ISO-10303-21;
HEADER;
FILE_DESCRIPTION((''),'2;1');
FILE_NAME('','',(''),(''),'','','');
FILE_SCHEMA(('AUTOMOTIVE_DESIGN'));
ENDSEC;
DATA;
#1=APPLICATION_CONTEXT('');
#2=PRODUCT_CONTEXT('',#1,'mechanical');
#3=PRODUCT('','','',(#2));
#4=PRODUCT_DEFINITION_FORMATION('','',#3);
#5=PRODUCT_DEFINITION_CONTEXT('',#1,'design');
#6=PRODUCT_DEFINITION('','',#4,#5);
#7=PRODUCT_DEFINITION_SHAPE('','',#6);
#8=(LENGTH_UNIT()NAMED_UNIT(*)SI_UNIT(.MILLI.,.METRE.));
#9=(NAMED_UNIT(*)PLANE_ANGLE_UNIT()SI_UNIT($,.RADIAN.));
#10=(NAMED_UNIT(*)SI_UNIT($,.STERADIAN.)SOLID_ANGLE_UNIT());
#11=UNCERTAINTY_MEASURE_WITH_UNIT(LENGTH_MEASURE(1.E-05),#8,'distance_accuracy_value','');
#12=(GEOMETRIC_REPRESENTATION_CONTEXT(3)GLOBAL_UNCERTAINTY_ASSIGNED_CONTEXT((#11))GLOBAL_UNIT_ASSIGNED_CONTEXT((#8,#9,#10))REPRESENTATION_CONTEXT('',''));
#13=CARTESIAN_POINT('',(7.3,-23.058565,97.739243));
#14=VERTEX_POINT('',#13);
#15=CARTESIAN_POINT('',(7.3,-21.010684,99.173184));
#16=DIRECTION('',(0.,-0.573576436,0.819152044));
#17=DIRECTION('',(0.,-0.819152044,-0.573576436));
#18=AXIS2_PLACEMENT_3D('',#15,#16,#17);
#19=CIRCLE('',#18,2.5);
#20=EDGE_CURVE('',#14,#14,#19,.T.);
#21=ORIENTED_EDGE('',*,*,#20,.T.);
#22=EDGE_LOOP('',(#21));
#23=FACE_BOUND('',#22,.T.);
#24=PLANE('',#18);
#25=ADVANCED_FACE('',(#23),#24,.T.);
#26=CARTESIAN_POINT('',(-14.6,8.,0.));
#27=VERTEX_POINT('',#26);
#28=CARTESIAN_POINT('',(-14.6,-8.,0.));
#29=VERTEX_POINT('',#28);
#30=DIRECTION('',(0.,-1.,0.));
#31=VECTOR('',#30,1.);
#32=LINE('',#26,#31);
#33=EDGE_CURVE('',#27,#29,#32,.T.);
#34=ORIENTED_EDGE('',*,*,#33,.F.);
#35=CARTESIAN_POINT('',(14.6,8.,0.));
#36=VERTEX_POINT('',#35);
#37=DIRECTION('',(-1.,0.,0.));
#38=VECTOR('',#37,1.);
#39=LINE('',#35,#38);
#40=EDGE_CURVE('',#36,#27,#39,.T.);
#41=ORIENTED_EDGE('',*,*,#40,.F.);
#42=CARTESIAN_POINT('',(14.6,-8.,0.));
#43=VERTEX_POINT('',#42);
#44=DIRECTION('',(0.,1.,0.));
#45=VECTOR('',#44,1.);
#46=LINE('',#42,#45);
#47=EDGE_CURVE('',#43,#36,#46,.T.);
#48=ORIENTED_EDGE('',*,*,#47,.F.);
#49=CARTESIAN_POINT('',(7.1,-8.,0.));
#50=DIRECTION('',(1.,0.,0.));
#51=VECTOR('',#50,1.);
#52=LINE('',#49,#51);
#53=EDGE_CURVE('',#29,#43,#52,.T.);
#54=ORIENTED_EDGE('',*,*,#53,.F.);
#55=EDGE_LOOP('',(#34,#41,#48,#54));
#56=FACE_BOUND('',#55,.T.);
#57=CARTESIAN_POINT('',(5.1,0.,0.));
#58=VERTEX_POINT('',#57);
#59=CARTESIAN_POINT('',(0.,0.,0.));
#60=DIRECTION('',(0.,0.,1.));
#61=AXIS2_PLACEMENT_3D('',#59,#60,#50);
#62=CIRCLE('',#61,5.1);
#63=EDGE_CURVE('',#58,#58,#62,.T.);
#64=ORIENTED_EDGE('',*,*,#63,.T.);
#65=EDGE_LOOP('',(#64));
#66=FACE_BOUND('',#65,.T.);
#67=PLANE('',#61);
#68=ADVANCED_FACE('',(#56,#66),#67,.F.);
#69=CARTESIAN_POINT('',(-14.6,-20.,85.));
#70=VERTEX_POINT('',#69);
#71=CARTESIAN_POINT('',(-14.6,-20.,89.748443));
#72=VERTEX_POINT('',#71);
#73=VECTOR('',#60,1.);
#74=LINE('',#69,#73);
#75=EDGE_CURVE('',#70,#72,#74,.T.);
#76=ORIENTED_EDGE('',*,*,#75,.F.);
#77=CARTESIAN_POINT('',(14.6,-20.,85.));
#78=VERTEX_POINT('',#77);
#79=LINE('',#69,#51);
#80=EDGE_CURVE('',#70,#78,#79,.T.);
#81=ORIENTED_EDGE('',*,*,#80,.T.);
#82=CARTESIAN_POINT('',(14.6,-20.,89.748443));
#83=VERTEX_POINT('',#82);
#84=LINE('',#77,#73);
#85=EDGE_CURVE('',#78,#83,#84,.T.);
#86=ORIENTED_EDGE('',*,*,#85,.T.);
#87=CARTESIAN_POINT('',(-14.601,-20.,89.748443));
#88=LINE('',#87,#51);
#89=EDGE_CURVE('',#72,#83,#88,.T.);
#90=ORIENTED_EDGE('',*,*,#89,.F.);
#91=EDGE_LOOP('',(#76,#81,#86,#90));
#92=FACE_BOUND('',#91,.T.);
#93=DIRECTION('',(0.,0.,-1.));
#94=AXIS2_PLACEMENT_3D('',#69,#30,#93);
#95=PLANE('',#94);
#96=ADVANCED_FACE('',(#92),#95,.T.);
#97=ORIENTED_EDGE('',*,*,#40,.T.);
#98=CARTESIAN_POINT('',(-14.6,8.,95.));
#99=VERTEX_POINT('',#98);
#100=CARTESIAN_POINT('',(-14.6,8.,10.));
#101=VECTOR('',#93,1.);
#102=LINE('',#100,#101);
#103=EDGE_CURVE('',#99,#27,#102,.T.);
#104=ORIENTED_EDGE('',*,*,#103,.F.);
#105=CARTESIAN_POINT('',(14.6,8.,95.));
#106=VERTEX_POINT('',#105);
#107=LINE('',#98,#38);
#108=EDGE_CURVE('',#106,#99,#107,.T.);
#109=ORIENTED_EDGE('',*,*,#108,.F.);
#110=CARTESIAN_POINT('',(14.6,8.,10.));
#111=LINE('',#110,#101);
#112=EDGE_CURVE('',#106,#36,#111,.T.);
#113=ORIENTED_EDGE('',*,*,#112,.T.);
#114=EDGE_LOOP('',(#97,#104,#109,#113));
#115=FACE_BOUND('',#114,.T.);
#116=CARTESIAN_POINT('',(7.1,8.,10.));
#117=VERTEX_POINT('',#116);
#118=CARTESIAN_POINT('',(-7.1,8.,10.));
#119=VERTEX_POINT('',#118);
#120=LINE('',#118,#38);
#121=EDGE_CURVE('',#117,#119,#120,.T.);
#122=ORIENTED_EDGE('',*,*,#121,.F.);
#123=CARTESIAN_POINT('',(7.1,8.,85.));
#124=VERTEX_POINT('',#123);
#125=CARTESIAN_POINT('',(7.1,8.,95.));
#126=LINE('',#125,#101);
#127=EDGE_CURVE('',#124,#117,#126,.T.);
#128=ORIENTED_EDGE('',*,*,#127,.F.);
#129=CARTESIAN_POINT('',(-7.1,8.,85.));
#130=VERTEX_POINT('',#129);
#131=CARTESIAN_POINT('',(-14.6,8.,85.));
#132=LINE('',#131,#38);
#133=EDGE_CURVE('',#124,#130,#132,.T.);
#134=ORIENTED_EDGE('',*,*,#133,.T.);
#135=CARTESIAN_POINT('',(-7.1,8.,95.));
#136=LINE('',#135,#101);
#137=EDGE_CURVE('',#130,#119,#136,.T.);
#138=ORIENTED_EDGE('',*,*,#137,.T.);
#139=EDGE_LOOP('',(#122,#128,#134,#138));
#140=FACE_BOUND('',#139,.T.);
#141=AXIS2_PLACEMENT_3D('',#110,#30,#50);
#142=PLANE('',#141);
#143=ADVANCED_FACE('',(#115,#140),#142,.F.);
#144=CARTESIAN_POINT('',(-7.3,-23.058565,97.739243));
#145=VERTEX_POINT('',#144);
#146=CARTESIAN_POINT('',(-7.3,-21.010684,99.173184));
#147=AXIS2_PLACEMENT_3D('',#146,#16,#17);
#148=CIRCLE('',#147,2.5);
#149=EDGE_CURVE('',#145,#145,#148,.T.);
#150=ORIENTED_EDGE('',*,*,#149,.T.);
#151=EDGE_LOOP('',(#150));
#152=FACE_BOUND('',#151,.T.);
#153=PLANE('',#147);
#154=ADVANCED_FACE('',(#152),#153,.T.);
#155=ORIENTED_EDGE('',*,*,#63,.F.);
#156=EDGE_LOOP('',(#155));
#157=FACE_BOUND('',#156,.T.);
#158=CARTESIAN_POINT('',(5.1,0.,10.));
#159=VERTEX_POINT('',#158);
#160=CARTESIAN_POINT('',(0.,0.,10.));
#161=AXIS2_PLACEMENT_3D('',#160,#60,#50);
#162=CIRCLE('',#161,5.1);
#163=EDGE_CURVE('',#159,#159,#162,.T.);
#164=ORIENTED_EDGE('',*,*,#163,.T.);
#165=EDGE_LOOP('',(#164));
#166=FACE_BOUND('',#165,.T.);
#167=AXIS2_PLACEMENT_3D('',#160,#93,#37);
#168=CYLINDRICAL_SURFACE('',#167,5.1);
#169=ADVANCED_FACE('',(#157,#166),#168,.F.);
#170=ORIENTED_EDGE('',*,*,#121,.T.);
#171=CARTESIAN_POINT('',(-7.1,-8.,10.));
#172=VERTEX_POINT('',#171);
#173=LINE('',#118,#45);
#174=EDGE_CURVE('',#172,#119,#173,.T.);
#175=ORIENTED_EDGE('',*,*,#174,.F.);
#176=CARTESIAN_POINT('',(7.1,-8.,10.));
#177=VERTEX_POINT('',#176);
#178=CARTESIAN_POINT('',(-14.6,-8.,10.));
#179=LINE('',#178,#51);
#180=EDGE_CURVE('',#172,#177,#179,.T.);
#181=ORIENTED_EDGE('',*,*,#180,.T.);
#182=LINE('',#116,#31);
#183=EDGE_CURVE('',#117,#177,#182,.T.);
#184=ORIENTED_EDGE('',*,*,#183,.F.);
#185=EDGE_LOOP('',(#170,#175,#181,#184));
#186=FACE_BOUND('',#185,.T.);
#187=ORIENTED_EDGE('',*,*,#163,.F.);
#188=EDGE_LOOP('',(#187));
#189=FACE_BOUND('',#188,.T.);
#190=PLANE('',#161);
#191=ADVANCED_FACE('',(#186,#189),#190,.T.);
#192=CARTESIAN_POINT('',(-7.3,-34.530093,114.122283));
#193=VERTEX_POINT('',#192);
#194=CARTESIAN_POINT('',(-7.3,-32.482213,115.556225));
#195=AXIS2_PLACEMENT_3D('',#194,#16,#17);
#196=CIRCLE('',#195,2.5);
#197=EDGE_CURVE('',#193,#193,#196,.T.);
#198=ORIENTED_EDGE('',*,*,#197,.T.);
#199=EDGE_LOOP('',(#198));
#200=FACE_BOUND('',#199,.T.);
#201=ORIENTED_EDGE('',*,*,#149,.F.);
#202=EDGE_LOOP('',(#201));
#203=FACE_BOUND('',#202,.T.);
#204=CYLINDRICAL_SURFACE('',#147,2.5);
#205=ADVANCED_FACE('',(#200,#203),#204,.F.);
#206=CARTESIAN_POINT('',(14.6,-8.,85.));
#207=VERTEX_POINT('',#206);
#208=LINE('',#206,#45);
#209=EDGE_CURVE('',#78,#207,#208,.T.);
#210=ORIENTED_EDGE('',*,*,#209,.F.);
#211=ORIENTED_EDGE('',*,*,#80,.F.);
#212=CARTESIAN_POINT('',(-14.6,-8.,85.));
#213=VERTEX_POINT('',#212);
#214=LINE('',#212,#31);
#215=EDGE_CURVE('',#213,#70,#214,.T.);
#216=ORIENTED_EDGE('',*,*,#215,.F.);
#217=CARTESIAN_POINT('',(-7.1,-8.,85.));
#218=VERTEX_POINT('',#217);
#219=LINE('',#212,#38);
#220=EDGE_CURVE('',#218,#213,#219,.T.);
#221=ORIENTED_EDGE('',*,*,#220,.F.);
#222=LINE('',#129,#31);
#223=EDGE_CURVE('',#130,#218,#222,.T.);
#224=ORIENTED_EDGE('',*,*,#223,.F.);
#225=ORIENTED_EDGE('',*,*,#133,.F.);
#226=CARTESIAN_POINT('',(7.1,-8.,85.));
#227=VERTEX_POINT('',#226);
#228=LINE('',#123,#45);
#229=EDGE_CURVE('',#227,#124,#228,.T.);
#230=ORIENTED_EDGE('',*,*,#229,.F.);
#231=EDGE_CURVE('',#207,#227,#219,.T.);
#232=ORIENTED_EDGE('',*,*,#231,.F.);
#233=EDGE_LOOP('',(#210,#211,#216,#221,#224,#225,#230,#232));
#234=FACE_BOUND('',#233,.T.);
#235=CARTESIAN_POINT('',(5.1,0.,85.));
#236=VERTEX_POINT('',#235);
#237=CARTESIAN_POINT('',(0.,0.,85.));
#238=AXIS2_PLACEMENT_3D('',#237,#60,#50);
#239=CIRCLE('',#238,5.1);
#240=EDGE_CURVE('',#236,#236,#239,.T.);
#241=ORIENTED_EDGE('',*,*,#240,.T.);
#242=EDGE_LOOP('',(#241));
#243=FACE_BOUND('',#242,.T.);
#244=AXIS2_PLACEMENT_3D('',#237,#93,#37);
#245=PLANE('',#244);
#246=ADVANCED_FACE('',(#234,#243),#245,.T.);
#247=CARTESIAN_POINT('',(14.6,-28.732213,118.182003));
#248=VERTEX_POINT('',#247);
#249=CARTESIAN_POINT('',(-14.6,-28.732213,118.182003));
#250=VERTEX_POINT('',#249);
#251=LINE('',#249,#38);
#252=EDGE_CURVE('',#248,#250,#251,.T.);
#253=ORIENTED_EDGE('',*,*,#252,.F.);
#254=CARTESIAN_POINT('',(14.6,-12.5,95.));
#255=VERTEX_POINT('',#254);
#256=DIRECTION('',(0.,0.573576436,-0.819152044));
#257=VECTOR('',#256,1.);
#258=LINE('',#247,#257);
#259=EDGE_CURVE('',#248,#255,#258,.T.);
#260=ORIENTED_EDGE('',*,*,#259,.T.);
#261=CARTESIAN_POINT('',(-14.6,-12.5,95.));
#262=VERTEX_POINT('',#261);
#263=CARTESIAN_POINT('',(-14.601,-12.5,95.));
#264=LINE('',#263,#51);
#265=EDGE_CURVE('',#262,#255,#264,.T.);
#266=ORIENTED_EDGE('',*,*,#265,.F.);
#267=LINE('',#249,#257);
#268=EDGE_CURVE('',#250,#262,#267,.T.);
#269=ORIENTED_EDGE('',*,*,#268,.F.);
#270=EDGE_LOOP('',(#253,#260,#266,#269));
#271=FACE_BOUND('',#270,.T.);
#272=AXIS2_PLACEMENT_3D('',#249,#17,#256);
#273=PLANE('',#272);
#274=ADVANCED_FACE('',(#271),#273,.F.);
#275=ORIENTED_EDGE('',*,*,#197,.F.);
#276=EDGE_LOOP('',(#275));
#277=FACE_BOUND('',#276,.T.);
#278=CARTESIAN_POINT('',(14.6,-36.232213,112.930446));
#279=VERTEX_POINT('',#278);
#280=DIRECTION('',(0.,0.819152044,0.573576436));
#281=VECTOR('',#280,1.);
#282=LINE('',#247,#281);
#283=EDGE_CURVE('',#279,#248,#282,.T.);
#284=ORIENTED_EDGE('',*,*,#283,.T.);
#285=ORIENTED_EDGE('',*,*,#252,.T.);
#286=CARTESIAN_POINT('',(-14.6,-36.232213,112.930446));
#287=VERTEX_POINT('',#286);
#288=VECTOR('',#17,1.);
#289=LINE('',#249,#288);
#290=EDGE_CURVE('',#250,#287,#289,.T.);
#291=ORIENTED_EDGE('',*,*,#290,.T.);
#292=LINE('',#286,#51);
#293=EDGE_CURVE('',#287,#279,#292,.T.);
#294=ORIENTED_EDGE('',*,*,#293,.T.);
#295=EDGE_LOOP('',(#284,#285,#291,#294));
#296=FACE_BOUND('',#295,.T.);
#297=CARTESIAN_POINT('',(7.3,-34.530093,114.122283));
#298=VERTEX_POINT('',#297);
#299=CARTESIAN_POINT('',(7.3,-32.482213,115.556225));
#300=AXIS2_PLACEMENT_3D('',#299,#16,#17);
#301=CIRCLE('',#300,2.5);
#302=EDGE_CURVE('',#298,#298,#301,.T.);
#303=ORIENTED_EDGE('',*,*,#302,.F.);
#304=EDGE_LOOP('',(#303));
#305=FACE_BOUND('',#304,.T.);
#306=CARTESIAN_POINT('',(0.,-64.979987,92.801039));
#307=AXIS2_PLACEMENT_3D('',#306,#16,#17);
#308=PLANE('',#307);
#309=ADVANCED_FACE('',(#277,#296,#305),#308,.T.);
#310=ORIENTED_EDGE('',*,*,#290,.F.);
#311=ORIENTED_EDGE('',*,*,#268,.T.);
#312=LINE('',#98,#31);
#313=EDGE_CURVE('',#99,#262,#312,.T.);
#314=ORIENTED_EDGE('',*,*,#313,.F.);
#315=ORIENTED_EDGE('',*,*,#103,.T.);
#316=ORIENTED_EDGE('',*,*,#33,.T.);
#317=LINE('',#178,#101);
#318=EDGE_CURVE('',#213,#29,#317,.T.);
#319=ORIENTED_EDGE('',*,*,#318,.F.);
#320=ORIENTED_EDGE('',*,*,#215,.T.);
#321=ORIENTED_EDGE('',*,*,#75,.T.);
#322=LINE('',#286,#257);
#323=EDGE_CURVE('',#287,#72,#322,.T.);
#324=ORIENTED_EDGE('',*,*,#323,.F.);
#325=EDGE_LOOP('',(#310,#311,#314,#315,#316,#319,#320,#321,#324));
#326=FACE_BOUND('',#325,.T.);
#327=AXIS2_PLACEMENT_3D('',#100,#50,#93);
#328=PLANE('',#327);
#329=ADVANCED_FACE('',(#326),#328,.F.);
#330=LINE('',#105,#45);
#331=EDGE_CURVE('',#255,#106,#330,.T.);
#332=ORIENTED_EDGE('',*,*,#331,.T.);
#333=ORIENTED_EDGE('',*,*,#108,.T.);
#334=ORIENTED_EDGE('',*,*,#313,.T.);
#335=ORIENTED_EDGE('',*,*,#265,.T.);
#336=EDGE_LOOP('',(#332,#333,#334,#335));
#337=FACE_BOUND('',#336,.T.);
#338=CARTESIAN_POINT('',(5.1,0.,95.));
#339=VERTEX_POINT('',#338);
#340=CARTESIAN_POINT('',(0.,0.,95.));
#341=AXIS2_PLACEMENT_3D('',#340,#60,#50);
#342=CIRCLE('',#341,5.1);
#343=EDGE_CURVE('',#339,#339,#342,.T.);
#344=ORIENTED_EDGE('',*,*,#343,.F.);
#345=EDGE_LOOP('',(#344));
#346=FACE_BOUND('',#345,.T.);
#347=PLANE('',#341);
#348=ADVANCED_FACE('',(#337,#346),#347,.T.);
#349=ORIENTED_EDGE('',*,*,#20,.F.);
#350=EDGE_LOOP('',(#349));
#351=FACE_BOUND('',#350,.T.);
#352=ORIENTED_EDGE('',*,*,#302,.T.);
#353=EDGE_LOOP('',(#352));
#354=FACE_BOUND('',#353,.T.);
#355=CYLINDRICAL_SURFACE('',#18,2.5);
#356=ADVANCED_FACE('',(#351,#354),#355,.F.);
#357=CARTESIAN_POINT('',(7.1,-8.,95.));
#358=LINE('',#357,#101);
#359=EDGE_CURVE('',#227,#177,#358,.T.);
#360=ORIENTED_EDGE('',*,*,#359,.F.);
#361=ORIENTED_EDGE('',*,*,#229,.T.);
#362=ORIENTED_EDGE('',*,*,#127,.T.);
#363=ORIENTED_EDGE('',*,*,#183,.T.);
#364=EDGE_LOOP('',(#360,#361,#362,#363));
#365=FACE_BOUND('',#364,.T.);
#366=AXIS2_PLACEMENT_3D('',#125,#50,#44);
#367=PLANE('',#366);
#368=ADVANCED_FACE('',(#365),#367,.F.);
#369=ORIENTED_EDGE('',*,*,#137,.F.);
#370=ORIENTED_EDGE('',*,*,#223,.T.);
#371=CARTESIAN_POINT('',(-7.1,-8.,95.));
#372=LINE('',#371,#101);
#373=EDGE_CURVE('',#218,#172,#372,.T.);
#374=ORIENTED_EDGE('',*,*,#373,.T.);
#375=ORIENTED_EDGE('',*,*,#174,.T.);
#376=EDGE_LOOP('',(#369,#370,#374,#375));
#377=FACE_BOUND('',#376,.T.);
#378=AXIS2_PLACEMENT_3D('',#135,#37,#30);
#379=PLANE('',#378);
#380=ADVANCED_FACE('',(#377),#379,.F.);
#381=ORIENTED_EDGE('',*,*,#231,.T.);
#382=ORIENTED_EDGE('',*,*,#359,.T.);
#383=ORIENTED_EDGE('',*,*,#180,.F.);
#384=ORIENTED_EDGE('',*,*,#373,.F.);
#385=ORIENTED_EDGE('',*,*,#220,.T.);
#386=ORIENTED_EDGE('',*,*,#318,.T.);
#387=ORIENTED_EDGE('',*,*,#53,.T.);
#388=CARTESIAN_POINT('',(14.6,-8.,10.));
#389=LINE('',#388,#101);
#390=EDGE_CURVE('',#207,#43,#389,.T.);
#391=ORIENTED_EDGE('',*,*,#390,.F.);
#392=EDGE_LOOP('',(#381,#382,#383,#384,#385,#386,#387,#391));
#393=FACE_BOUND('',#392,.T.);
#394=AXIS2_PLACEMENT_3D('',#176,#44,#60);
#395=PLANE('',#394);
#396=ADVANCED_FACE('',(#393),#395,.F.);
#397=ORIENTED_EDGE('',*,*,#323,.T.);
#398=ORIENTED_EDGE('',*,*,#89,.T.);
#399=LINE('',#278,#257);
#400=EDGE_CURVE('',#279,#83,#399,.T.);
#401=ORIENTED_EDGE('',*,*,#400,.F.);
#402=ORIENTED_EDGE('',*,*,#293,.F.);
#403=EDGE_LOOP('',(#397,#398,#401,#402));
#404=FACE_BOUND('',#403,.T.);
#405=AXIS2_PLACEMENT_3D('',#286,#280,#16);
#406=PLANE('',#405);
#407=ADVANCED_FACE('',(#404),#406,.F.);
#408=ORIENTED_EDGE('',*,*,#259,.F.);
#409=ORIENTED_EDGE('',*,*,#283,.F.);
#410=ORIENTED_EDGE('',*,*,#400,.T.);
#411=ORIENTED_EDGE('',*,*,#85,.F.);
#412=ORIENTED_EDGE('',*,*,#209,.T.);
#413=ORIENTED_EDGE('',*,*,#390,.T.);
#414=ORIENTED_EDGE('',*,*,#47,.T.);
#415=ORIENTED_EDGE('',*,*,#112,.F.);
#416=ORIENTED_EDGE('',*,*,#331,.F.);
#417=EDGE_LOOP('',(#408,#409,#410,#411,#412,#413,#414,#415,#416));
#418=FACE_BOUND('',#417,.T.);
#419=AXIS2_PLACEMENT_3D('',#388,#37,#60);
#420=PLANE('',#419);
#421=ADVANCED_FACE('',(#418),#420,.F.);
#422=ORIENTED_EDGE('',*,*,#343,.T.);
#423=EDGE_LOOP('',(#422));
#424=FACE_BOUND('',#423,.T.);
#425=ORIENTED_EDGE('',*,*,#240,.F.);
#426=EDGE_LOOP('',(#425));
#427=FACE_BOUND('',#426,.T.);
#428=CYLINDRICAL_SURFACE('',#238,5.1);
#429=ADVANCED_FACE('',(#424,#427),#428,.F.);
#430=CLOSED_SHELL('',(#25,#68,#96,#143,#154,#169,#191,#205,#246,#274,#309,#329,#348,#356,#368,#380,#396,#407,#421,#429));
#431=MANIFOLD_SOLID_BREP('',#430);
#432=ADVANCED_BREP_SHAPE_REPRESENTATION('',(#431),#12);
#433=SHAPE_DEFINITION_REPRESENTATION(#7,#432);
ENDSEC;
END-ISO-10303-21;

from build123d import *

# Parameters (mm, degrees)
SKETCH1_R           = 5.1
BOSS_EXTRUDE1_DEPTH = 10
SKETCH2_W           = 7.5
SKETCH2_H           = 16
BOSS_EXTRUDE2_DEPTH = 85
SKETCH3_W           = 29.2
SKETCH3_H           = 16
SKETCH3_R           = 5.1
BOSS_EXTRUDE3_DEPTH = 10
SKETCH4_W           = 29.2
SKETCH4_H           = 12
BOSS_EXTRUDE4_DEPTH = 10
CUT_EXTRUDE1_REACH  = 31.2
SKETCH6_W           = 29.2
SKETCH6_H           = 9.155809416
BOSS_EXTRUDE5_DEPTH = 28.3
SKETCH7_R           = 2.5
CUT_EXTRUDE2_DEPTH  = 20


with BuildPart() as part:
    # Sketch1 → Boss-Extrude1 (new body)
    with BuildSketch(Plane.XY):
        Polygon((-7.1, 8), (-14.6, 8), (-14.6, -8), (-7.1, -8), (7.1, -8), (14.6, -8), (14.6, 8), (7.1, 8), align=None)
        Circle(SKETCH1_R, mode=Mode.SUBTRACT)
    extrude(amount=BOSS_EXTRUDE1_DEPTH)

    # Sketch2 → Boss-Extrude2 (add)
    with BuildSketch(Plane.XY.offset(10)):
        with Locations((-10.85, 0)):
            Rectangle(SKETCH2_W, SKETCH2_H)
        with Locations((10.85, 0)):
            Rectangle(SKETCH2_W, SKETCH2_H)
    extrude(amount=BOSS_EXTRUDE2_DEPTH)

    # Sketch3 → Boss-Extrude3 (add)
    with BuildSketch(Plane.XY.offset(95)):
        Rectangle(SKETCH3_W, SKETCH3_H)
        Circle(SKETCH3_R, mode=Mode.SUBTRACT)
    extrude(amount=-BOSS_EXTRUDE3_DEPTH)

    # Sketch4 → Boss-Extrude4 (add)
    with BuildSketch(Plane.XY.offset(95)):
        with Locations((0, -14)):
            Rectangle(SKETCH4_W, SKETCH4_H)
    extrude(amount=-BOSS_EXTRUDE4_DEPTH)

    # Sketch5 → Cut-Extrude1 (cut, up to next)
    with BuildSketch(Plane(origin=(14.6, 0, 0), x_dir=(0, 0, -1), z_dir=(1, 0, 0)), mode=Mode.PRIVATE) as cut_extrude1_sk1:
        Polygon((-95, -12.5), (-89.748443463, -20), (-95, -20), align=None)
    cut_extrude1_tool1 = extrude(cut_extrude1_sk1.sketch, amount=-CUT_EXTRUDE1_REACH, mode=Mode.PRIVATE) & part.part
    add(cut_extrude1_tool1.solids().sort_by_distance((14.6, -17.5, 93.249481))[0], mode=Mode.SUBTRACT)

    # Sketch6 → Boss-Extrude5 (add)
    with BuildSketch(Plane(origin=(0, -48.747773592, 69.619035688), x_dir=(1, 0, 0), z_dir=(0, -0.573576436, 0.819152044))):
        with Locations((0, 39.672456192)):
            Rectangle(SKETCH6_W, SKETCH6_H)
    extrude(amount=BOSS_EXTRUDE5_DEPTH)

    # Sketch7 → Cut-Extrude2 (cut)
    with BuildSketch(Plane(origin=(0, -64.97998674, 92.801038541), x_dir=(1, 0, 0), z_dir=(0, -0.573576436, 0.819152044))):
        with Locations((-7.3, 39.672456192)):
            Circle(SKETCH7_R)
        with Locations((7.3, 39.672456192)):
            Circle(SKETCH7_R)
    extrude(amount=-CUT_EXTRUDE2_DEPTH, mode=Mode.SUBTRACT)


solid = part.part
